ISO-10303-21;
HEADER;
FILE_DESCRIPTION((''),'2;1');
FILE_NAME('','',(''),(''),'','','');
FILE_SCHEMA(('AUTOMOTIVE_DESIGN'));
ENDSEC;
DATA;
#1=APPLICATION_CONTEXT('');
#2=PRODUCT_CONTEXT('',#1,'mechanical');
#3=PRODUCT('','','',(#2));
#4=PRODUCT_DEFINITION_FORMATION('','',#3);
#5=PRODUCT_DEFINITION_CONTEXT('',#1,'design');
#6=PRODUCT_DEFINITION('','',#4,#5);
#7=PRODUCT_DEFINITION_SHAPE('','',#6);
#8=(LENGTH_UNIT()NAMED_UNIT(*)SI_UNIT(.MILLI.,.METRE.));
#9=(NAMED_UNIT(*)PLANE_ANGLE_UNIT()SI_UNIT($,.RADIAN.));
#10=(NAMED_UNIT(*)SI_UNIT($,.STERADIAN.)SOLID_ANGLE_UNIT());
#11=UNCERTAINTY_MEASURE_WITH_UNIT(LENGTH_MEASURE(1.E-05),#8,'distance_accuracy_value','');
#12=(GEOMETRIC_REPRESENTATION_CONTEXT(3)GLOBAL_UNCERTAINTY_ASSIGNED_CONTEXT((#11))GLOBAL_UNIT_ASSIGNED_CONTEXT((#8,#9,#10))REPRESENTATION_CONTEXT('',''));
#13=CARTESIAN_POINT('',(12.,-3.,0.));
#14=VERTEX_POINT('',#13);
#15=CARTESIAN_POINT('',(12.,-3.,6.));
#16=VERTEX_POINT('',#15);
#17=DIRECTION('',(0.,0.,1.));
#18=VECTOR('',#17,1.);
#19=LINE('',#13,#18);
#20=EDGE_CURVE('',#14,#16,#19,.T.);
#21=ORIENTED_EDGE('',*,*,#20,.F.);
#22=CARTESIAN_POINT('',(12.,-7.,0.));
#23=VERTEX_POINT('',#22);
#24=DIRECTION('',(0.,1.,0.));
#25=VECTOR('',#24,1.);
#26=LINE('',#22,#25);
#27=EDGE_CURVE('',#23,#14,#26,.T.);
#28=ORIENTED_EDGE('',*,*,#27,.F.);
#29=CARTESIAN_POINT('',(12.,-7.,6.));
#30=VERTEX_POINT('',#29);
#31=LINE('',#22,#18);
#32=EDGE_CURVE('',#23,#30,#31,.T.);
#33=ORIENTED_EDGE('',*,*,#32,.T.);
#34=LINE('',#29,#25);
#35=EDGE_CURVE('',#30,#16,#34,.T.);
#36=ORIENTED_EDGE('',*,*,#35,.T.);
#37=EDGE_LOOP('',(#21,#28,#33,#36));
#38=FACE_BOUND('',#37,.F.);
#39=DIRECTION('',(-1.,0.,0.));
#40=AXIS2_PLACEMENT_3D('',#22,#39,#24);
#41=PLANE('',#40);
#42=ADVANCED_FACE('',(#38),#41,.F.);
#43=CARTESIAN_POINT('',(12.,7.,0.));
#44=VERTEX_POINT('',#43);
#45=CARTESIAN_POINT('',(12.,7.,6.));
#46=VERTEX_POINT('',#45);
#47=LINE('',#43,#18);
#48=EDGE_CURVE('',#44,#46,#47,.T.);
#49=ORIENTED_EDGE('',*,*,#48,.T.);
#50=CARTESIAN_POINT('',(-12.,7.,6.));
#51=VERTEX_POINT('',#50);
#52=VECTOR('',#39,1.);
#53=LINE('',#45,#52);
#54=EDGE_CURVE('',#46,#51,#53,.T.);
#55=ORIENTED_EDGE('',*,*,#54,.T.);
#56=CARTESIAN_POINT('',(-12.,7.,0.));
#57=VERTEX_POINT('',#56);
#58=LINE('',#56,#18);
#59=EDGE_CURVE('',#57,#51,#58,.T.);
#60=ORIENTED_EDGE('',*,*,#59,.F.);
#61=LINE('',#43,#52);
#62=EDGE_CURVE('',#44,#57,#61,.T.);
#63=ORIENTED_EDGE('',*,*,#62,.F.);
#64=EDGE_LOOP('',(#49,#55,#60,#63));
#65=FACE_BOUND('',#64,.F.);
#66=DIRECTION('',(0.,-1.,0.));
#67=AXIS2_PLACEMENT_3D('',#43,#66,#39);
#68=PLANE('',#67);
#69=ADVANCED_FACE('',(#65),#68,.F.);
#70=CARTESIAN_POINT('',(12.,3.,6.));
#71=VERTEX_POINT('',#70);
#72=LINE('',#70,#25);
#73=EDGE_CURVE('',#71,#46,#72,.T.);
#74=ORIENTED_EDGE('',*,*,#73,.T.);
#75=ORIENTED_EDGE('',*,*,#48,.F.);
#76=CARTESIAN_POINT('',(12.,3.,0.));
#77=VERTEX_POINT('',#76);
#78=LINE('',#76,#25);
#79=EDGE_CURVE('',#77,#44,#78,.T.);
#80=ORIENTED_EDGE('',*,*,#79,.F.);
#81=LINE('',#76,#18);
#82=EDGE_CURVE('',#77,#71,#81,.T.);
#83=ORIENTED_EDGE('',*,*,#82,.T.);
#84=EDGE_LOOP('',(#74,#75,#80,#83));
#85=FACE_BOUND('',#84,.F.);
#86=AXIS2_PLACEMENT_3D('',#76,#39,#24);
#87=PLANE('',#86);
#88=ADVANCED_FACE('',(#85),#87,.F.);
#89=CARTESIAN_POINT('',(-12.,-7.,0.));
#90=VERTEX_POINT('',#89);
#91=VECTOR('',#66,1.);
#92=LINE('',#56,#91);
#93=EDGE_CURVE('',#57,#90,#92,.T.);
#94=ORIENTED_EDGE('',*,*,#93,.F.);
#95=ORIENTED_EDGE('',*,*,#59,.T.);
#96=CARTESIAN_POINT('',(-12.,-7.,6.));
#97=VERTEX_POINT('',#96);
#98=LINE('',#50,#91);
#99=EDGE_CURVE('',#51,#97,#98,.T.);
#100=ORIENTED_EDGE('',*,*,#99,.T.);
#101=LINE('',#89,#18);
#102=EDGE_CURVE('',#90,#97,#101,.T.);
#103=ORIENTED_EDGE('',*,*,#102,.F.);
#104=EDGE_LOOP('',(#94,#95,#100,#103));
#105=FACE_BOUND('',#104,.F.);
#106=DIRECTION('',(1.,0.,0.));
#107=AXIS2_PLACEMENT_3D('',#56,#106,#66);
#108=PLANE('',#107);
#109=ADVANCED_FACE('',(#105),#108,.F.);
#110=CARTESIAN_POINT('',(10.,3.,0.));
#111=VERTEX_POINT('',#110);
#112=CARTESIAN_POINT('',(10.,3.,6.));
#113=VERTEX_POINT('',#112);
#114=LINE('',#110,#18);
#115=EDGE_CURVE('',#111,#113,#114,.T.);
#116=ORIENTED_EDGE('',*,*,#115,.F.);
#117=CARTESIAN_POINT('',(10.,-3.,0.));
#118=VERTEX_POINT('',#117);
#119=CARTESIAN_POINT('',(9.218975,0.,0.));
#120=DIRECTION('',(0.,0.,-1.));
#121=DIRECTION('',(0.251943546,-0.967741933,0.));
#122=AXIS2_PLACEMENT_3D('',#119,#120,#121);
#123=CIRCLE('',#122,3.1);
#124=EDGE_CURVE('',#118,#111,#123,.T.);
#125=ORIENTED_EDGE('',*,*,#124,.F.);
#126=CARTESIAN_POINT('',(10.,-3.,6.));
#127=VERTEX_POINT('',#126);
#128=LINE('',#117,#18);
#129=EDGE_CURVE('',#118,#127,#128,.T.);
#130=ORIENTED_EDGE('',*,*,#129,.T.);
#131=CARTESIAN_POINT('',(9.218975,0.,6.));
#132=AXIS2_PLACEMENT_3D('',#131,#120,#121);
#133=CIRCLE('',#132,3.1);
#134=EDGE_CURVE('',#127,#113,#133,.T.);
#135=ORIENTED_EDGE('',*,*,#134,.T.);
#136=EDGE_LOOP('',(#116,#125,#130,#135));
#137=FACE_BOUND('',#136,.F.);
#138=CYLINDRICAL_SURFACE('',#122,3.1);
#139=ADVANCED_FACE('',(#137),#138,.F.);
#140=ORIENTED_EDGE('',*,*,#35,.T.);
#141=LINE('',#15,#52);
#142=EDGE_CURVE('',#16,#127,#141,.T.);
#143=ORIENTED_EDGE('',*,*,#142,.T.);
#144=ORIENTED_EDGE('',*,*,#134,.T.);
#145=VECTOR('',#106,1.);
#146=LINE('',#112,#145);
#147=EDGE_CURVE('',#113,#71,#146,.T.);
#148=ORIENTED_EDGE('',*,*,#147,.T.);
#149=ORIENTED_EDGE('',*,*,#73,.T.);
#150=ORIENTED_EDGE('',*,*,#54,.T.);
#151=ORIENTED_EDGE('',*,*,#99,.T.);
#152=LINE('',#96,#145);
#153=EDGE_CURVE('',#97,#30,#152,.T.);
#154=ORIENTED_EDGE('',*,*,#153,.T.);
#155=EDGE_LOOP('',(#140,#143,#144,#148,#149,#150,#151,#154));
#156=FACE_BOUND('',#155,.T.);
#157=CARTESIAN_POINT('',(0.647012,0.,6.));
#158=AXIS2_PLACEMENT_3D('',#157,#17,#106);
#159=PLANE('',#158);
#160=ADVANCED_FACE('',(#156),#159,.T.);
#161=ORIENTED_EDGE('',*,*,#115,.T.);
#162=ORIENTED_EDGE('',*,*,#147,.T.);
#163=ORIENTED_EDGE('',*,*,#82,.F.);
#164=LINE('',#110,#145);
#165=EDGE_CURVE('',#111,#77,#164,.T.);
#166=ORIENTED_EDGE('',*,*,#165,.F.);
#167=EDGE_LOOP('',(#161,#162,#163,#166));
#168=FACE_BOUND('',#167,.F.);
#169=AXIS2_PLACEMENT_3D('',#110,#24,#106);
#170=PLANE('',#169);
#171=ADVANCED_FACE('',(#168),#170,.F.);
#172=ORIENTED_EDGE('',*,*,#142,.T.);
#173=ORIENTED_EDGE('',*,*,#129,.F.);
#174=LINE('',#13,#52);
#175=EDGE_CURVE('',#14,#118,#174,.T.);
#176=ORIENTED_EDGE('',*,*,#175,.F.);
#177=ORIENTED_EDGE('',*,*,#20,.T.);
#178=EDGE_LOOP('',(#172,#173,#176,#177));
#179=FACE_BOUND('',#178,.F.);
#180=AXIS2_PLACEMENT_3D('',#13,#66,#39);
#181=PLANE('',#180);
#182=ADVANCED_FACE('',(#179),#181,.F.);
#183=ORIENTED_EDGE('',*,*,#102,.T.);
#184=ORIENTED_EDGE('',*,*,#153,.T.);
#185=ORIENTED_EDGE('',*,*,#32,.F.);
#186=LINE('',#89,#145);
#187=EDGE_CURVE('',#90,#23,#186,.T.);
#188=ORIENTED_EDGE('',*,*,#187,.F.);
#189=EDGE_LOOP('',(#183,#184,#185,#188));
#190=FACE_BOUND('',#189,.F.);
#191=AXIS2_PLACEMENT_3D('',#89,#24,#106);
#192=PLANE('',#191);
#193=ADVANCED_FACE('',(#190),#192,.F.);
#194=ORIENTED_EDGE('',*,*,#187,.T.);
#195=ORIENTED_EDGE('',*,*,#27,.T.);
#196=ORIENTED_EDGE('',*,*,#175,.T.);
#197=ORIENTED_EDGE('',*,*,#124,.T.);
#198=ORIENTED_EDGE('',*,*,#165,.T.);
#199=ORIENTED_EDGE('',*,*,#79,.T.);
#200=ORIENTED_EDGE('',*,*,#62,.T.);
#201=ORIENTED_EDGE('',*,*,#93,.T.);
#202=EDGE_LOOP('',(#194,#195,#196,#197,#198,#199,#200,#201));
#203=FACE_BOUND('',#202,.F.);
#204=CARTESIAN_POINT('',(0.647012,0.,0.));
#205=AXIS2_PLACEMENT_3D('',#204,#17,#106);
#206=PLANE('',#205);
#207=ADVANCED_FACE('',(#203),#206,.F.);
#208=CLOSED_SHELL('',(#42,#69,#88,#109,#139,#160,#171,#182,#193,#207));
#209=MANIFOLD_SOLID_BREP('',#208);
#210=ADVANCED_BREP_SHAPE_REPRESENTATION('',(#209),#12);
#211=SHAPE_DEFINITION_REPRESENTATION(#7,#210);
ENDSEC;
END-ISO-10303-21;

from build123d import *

# Parameters (mm, degrees)
F1_DEPTH = 6


with BuildPart() as f1:
    # F0 (on Top) → F1 (new body)
    with BuildSketch(Plane.XY):
        with BuildLine():
            Line((-12, -7), (12, -7))
            Line((12, -7), (12, -3))
            Line((12, -3), (10, -3))
            ThreePointArc((10, -3), (6.118975, 0), (10, 3))
            Line((10, 3), (12, 3))
            Line((12, 3), (12, 7))
            Line((12, 7), (-12, 7))
            Line((-12, 7), (-12, -7))
        make_face()
    extrude(amount=F1_DEPTH)


solid = f1.part
